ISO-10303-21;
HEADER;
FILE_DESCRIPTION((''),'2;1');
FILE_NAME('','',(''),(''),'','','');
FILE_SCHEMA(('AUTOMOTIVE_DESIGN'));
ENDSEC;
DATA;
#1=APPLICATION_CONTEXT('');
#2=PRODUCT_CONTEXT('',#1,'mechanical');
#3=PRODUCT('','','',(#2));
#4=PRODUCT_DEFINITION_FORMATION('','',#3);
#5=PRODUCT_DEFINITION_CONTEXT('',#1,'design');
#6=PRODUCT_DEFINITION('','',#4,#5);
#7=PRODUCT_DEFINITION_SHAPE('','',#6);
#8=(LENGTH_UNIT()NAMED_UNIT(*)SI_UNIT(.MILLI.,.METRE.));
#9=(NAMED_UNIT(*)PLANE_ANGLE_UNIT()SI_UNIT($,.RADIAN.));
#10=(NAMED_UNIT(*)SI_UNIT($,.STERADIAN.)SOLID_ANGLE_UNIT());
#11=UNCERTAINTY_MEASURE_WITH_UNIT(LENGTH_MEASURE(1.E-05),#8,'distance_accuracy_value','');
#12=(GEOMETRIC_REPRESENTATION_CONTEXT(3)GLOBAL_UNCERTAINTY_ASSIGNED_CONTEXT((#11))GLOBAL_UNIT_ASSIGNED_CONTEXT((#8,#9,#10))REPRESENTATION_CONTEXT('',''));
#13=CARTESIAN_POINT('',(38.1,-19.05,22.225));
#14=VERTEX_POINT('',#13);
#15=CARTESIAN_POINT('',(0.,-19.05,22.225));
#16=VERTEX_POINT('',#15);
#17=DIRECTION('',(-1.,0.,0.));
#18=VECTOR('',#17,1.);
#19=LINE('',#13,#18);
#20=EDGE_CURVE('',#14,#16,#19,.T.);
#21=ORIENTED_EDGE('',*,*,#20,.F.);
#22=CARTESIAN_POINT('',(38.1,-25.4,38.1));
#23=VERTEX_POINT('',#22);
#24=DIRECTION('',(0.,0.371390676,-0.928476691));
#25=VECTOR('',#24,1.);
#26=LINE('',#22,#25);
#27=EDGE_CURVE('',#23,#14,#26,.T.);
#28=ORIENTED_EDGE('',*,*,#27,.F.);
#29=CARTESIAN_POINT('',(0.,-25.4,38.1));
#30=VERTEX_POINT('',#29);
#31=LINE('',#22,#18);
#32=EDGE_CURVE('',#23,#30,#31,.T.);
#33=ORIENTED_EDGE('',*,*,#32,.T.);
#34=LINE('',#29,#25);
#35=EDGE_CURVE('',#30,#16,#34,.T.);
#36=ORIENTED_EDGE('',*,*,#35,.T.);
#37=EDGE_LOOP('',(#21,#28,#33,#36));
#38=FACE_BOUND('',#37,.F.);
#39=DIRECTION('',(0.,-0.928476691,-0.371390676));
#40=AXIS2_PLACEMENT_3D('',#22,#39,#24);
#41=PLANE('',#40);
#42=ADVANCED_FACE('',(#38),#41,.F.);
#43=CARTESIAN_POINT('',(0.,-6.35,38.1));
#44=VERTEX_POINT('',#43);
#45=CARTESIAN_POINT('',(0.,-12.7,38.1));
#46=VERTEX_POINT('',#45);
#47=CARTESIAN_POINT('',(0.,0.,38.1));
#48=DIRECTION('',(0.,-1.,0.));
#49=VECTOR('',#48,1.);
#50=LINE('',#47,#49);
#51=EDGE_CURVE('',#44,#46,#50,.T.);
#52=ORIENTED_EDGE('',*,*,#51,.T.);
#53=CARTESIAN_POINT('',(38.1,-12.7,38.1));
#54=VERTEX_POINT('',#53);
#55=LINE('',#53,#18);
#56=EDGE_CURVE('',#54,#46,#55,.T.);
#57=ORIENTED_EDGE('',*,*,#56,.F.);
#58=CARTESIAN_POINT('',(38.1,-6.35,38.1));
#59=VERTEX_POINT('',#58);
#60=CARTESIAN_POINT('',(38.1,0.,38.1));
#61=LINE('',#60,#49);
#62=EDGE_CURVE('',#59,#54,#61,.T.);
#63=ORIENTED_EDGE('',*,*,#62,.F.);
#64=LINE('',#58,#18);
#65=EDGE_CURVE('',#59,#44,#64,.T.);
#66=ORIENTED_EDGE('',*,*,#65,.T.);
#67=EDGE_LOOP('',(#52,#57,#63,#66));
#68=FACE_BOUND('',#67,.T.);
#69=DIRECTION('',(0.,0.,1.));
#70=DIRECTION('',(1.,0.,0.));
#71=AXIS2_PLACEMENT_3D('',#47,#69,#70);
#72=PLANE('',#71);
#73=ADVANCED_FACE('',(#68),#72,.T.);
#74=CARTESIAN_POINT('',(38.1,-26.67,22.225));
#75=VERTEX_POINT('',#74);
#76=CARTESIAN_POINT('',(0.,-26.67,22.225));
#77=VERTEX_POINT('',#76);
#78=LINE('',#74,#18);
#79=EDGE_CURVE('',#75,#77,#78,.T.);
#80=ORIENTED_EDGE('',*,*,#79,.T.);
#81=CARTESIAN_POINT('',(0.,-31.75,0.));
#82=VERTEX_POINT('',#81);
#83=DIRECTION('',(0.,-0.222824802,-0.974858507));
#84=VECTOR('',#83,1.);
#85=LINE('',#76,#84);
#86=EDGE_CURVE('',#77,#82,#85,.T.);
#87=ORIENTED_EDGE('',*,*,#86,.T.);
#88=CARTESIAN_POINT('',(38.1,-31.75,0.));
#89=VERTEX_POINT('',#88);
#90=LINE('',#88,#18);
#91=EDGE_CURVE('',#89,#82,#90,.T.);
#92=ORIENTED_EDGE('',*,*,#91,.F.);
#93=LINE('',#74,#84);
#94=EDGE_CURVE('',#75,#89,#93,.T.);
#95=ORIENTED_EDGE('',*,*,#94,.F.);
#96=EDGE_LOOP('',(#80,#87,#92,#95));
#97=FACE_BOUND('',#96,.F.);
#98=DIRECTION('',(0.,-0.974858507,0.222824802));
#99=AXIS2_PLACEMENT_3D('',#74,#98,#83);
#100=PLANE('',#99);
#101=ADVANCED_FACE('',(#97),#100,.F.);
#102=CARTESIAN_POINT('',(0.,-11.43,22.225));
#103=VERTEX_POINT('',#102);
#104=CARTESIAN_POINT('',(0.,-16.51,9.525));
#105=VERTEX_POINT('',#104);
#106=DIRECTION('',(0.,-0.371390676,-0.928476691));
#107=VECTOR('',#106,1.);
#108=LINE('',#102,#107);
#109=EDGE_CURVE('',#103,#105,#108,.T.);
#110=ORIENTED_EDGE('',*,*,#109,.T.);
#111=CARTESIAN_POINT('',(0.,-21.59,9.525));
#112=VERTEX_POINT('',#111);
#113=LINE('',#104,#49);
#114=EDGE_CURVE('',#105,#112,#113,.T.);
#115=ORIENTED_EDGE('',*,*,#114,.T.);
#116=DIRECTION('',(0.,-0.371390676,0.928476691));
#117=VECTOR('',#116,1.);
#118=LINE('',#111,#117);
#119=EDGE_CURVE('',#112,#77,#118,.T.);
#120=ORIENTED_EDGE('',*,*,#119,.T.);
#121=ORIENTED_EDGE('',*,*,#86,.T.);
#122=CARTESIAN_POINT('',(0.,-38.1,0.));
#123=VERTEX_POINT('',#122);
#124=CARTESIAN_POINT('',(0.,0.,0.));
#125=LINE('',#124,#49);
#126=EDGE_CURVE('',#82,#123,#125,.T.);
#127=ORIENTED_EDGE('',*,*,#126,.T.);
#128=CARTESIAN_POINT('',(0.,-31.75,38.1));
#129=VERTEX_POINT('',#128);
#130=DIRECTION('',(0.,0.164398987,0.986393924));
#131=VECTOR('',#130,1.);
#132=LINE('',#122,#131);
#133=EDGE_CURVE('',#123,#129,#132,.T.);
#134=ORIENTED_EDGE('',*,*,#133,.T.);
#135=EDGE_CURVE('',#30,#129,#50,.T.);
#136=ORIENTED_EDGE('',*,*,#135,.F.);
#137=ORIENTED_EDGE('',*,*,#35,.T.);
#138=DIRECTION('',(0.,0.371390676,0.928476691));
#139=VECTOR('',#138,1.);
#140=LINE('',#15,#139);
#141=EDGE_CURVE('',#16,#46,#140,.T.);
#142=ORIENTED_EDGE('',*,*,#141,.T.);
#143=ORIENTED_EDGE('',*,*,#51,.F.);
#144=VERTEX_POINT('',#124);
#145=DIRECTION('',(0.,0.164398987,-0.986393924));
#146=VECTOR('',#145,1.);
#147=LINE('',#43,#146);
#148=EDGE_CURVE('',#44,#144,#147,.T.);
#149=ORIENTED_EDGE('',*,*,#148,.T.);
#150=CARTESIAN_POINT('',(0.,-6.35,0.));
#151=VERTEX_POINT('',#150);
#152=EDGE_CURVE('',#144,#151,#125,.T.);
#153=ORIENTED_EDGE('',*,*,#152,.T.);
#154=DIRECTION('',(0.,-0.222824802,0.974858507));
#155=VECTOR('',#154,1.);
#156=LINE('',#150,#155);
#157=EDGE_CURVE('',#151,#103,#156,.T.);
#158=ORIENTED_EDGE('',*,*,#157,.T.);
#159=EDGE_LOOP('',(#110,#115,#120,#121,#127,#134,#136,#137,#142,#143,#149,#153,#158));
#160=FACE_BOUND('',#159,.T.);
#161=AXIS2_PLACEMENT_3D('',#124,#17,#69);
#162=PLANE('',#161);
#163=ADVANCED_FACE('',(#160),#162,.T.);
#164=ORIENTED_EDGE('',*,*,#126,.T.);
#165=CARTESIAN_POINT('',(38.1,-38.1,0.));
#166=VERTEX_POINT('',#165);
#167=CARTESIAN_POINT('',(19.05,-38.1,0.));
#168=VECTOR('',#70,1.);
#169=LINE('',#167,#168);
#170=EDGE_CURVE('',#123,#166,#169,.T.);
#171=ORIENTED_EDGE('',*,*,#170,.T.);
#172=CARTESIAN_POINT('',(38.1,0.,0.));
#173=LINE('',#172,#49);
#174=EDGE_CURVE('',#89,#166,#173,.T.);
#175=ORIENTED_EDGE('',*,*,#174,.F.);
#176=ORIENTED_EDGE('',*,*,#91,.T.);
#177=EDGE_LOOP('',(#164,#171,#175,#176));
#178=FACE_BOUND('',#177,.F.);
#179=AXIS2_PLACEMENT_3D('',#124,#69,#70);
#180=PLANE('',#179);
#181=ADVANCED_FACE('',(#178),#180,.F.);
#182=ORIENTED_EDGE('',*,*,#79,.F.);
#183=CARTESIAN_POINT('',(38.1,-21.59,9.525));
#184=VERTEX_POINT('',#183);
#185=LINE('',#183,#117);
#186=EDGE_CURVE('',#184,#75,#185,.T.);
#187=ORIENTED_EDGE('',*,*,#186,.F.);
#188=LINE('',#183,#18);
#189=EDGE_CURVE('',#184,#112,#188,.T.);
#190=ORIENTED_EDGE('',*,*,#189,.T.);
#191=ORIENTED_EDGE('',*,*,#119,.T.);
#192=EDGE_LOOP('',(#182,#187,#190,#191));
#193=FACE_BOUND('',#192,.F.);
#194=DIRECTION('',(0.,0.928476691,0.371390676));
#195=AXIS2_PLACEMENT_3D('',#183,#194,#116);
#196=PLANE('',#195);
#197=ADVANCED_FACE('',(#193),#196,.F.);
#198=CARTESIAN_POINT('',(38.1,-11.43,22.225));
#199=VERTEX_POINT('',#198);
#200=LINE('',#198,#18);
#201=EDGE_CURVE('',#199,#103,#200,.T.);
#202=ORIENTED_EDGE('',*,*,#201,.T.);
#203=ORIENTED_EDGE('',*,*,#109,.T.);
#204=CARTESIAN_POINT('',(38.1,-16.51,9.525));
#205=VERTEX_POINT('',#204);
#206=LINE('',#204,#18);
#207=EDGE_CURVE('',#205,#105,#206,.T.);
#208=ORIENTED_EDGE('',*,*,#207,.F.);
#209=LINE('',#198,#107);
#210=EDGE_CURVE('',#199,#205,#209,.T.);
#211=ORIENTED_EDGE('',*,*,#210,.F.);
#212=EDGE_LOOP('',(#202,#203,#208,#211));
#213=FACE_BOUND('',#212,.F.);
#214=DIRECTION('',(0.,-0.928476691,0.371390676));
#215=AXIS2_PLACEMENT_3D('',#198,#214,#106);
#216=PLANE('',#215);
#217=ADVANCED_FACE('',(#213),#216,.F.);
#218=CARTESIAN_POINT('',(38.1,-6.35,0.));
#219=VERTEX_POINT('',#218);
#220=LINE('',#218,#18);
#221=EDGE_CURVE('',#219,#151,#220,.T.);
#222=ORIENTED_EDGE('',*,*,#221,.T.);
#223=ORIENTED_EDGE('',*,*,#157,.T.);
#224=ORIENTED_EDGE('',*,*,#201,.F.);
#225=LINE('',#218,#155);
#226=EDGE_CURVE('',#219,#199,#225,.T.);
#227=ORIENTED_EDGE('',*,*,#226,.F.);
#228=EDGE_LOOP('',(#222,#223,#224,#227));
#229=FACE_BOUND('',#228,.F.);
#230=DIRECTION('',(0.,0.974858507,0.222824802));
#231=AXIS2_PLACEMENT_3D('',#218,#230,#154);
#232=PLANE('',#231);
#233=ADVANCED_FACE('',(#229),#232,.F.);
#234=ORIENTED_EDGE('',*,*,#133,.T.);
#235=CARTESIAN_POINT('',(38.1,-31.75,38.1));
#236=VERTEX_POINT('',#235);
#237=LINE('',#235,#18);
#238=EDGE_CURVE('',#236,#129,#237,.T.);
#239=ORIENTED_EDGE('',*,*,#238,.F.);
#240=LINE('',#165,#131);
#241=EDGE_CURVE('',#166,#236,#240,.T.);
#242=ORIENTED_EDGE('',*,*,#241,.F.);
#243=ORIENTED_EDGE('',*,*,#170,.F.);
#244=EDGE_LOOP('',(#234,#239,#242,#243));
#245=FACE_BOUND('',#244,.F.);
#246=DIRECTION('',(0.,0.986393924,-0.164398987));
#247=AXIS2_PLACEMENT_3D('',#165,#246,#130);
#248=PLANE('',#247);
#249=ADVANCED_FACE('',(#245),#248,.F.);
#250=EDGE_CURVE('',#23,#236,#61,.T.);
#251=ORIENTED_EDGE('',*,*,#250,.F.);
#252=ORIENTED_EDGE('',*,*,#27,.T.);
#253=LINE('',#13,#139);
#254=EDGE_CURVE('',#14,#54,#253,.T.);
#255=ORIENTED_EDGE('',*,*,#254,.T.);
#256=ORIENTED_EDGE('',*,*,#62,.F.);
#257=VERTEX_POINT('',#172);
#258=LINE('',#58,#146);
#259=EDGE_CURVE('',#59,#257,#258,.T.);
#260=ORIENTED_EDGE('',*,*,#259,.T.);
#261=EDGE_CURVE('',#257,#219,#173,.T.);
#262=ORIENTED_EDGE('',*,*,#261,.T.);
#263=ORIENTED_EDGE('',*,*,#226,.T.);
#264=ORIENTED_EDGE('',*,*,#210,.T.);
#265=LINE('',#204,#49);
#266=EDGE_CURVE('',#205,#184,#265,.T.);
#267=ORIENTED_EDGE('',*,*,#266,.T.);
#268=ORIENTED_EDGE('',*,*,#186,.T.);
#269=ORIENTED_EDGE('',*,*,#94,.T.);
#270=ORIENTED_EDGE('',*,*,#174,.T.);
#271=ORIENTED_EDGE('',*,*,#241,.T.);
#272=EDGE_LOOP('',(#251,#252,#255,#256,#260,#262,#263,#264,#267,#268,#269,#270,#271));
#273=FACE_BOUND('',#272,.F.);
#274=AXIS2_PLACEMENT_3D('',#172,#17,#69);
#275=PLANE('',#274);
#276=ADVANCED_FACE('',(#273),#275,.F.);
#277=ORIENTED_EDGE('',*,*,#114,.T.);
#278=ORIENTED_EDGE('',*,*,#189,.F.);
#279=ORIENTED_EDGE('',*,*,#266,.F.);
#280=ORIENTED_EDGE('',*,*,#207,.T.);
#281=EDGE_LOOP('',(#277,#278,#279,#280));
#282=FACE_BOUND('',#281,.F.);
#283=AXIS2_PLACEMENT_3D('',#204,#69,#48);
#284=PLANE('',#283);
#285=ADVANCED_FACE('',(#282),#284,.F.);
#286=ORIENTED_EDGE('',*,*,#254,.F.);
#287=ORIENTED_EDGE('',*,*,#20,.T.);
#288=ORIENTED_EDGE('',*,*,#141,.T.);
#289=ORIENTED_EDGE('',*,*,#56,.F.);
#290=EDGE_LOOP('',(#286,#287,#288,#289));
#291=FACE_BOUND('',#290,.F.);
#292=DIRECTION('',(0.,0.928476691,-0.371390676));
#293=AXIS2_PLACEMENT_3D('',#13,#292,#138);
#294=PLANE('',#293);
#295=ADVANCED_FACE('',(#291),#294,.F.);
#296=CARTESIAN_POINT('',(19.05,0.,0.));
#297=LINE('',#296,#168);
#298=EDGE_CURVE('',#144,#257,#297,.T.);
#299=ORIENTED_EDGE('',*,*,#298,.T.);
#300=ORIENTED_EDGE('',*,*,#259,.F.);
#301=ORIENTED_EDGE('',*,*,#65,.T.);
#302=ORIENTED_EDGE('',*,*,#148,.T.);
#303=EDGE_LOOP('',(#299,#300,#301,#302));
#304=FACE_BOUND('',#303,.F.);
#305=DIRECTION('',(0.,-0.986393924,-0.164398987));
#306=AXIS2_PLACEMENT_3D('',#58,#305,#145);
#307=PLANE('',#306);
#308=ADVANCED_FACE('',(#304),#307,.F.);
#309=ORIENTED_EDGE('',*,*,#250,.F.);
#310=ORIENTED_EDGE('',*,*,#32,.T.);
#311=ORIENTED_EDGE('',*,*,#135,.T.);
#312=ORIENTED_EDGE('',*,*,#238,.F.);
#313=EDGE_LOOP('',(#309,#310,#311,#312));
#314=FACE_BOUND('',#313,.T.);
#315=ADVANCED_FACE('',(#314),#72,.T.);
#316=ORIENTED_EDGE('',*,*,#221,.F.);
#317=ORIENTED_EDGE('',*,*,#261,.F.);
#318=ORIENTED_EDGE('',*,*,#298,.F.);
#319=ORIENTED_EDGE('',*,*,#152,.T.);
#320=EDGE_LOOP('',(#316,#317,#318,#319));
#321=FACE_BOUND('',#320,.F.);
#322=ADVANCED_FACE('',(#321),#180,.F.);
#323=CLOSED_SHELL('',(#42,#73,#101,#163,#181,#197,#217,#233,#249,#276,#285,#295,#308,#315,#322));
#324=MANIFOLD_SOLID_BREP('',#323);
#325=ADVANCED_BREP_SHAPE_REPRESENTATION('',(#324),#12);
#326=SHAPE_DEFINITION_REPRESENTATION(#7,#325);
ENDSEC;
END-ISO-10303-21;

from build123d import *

# Parameters (mm, degrees)
F0_W     = 38.1
F0_H     = 38.1
F1_DEPTH = 38.1
F5_DEPTH = 38.1


with BuildPart() as f1:
    # F0 (on Front) → F1 (new body)
    with BuildSketch(Plane.XZ):
        with Locations((19.05, 19.05)):
            Rectangle(F0_W, F0_H)
    extrude(amount=F1_DEPTH)

    # F4 (on offset) → F5 (cut)
    with BuildSketch(Plane.YZ.offset(38.1)):
        Polygon((-38.1, 38.1), (-38.1, 0), (-31.75, 38.1), align=None)
        Polygon((-19.05, 22.225), (-12.7, 38.1), (-25.4, 38.1), align=None)
        Polygon((-6.35, 38.1), (0, 0), (0, 38.1), align=None)
        Polygon((-31.75, 0), (-6.35, 0), (-11.43, 22.225), (-16.51, 9.525), (-21.59, 9.525), (-26.67, 22.225), align=None)
    extrude(amount=-F5_DEPTH, mode=Mode.SUBTRACT)


solid = f1.part
